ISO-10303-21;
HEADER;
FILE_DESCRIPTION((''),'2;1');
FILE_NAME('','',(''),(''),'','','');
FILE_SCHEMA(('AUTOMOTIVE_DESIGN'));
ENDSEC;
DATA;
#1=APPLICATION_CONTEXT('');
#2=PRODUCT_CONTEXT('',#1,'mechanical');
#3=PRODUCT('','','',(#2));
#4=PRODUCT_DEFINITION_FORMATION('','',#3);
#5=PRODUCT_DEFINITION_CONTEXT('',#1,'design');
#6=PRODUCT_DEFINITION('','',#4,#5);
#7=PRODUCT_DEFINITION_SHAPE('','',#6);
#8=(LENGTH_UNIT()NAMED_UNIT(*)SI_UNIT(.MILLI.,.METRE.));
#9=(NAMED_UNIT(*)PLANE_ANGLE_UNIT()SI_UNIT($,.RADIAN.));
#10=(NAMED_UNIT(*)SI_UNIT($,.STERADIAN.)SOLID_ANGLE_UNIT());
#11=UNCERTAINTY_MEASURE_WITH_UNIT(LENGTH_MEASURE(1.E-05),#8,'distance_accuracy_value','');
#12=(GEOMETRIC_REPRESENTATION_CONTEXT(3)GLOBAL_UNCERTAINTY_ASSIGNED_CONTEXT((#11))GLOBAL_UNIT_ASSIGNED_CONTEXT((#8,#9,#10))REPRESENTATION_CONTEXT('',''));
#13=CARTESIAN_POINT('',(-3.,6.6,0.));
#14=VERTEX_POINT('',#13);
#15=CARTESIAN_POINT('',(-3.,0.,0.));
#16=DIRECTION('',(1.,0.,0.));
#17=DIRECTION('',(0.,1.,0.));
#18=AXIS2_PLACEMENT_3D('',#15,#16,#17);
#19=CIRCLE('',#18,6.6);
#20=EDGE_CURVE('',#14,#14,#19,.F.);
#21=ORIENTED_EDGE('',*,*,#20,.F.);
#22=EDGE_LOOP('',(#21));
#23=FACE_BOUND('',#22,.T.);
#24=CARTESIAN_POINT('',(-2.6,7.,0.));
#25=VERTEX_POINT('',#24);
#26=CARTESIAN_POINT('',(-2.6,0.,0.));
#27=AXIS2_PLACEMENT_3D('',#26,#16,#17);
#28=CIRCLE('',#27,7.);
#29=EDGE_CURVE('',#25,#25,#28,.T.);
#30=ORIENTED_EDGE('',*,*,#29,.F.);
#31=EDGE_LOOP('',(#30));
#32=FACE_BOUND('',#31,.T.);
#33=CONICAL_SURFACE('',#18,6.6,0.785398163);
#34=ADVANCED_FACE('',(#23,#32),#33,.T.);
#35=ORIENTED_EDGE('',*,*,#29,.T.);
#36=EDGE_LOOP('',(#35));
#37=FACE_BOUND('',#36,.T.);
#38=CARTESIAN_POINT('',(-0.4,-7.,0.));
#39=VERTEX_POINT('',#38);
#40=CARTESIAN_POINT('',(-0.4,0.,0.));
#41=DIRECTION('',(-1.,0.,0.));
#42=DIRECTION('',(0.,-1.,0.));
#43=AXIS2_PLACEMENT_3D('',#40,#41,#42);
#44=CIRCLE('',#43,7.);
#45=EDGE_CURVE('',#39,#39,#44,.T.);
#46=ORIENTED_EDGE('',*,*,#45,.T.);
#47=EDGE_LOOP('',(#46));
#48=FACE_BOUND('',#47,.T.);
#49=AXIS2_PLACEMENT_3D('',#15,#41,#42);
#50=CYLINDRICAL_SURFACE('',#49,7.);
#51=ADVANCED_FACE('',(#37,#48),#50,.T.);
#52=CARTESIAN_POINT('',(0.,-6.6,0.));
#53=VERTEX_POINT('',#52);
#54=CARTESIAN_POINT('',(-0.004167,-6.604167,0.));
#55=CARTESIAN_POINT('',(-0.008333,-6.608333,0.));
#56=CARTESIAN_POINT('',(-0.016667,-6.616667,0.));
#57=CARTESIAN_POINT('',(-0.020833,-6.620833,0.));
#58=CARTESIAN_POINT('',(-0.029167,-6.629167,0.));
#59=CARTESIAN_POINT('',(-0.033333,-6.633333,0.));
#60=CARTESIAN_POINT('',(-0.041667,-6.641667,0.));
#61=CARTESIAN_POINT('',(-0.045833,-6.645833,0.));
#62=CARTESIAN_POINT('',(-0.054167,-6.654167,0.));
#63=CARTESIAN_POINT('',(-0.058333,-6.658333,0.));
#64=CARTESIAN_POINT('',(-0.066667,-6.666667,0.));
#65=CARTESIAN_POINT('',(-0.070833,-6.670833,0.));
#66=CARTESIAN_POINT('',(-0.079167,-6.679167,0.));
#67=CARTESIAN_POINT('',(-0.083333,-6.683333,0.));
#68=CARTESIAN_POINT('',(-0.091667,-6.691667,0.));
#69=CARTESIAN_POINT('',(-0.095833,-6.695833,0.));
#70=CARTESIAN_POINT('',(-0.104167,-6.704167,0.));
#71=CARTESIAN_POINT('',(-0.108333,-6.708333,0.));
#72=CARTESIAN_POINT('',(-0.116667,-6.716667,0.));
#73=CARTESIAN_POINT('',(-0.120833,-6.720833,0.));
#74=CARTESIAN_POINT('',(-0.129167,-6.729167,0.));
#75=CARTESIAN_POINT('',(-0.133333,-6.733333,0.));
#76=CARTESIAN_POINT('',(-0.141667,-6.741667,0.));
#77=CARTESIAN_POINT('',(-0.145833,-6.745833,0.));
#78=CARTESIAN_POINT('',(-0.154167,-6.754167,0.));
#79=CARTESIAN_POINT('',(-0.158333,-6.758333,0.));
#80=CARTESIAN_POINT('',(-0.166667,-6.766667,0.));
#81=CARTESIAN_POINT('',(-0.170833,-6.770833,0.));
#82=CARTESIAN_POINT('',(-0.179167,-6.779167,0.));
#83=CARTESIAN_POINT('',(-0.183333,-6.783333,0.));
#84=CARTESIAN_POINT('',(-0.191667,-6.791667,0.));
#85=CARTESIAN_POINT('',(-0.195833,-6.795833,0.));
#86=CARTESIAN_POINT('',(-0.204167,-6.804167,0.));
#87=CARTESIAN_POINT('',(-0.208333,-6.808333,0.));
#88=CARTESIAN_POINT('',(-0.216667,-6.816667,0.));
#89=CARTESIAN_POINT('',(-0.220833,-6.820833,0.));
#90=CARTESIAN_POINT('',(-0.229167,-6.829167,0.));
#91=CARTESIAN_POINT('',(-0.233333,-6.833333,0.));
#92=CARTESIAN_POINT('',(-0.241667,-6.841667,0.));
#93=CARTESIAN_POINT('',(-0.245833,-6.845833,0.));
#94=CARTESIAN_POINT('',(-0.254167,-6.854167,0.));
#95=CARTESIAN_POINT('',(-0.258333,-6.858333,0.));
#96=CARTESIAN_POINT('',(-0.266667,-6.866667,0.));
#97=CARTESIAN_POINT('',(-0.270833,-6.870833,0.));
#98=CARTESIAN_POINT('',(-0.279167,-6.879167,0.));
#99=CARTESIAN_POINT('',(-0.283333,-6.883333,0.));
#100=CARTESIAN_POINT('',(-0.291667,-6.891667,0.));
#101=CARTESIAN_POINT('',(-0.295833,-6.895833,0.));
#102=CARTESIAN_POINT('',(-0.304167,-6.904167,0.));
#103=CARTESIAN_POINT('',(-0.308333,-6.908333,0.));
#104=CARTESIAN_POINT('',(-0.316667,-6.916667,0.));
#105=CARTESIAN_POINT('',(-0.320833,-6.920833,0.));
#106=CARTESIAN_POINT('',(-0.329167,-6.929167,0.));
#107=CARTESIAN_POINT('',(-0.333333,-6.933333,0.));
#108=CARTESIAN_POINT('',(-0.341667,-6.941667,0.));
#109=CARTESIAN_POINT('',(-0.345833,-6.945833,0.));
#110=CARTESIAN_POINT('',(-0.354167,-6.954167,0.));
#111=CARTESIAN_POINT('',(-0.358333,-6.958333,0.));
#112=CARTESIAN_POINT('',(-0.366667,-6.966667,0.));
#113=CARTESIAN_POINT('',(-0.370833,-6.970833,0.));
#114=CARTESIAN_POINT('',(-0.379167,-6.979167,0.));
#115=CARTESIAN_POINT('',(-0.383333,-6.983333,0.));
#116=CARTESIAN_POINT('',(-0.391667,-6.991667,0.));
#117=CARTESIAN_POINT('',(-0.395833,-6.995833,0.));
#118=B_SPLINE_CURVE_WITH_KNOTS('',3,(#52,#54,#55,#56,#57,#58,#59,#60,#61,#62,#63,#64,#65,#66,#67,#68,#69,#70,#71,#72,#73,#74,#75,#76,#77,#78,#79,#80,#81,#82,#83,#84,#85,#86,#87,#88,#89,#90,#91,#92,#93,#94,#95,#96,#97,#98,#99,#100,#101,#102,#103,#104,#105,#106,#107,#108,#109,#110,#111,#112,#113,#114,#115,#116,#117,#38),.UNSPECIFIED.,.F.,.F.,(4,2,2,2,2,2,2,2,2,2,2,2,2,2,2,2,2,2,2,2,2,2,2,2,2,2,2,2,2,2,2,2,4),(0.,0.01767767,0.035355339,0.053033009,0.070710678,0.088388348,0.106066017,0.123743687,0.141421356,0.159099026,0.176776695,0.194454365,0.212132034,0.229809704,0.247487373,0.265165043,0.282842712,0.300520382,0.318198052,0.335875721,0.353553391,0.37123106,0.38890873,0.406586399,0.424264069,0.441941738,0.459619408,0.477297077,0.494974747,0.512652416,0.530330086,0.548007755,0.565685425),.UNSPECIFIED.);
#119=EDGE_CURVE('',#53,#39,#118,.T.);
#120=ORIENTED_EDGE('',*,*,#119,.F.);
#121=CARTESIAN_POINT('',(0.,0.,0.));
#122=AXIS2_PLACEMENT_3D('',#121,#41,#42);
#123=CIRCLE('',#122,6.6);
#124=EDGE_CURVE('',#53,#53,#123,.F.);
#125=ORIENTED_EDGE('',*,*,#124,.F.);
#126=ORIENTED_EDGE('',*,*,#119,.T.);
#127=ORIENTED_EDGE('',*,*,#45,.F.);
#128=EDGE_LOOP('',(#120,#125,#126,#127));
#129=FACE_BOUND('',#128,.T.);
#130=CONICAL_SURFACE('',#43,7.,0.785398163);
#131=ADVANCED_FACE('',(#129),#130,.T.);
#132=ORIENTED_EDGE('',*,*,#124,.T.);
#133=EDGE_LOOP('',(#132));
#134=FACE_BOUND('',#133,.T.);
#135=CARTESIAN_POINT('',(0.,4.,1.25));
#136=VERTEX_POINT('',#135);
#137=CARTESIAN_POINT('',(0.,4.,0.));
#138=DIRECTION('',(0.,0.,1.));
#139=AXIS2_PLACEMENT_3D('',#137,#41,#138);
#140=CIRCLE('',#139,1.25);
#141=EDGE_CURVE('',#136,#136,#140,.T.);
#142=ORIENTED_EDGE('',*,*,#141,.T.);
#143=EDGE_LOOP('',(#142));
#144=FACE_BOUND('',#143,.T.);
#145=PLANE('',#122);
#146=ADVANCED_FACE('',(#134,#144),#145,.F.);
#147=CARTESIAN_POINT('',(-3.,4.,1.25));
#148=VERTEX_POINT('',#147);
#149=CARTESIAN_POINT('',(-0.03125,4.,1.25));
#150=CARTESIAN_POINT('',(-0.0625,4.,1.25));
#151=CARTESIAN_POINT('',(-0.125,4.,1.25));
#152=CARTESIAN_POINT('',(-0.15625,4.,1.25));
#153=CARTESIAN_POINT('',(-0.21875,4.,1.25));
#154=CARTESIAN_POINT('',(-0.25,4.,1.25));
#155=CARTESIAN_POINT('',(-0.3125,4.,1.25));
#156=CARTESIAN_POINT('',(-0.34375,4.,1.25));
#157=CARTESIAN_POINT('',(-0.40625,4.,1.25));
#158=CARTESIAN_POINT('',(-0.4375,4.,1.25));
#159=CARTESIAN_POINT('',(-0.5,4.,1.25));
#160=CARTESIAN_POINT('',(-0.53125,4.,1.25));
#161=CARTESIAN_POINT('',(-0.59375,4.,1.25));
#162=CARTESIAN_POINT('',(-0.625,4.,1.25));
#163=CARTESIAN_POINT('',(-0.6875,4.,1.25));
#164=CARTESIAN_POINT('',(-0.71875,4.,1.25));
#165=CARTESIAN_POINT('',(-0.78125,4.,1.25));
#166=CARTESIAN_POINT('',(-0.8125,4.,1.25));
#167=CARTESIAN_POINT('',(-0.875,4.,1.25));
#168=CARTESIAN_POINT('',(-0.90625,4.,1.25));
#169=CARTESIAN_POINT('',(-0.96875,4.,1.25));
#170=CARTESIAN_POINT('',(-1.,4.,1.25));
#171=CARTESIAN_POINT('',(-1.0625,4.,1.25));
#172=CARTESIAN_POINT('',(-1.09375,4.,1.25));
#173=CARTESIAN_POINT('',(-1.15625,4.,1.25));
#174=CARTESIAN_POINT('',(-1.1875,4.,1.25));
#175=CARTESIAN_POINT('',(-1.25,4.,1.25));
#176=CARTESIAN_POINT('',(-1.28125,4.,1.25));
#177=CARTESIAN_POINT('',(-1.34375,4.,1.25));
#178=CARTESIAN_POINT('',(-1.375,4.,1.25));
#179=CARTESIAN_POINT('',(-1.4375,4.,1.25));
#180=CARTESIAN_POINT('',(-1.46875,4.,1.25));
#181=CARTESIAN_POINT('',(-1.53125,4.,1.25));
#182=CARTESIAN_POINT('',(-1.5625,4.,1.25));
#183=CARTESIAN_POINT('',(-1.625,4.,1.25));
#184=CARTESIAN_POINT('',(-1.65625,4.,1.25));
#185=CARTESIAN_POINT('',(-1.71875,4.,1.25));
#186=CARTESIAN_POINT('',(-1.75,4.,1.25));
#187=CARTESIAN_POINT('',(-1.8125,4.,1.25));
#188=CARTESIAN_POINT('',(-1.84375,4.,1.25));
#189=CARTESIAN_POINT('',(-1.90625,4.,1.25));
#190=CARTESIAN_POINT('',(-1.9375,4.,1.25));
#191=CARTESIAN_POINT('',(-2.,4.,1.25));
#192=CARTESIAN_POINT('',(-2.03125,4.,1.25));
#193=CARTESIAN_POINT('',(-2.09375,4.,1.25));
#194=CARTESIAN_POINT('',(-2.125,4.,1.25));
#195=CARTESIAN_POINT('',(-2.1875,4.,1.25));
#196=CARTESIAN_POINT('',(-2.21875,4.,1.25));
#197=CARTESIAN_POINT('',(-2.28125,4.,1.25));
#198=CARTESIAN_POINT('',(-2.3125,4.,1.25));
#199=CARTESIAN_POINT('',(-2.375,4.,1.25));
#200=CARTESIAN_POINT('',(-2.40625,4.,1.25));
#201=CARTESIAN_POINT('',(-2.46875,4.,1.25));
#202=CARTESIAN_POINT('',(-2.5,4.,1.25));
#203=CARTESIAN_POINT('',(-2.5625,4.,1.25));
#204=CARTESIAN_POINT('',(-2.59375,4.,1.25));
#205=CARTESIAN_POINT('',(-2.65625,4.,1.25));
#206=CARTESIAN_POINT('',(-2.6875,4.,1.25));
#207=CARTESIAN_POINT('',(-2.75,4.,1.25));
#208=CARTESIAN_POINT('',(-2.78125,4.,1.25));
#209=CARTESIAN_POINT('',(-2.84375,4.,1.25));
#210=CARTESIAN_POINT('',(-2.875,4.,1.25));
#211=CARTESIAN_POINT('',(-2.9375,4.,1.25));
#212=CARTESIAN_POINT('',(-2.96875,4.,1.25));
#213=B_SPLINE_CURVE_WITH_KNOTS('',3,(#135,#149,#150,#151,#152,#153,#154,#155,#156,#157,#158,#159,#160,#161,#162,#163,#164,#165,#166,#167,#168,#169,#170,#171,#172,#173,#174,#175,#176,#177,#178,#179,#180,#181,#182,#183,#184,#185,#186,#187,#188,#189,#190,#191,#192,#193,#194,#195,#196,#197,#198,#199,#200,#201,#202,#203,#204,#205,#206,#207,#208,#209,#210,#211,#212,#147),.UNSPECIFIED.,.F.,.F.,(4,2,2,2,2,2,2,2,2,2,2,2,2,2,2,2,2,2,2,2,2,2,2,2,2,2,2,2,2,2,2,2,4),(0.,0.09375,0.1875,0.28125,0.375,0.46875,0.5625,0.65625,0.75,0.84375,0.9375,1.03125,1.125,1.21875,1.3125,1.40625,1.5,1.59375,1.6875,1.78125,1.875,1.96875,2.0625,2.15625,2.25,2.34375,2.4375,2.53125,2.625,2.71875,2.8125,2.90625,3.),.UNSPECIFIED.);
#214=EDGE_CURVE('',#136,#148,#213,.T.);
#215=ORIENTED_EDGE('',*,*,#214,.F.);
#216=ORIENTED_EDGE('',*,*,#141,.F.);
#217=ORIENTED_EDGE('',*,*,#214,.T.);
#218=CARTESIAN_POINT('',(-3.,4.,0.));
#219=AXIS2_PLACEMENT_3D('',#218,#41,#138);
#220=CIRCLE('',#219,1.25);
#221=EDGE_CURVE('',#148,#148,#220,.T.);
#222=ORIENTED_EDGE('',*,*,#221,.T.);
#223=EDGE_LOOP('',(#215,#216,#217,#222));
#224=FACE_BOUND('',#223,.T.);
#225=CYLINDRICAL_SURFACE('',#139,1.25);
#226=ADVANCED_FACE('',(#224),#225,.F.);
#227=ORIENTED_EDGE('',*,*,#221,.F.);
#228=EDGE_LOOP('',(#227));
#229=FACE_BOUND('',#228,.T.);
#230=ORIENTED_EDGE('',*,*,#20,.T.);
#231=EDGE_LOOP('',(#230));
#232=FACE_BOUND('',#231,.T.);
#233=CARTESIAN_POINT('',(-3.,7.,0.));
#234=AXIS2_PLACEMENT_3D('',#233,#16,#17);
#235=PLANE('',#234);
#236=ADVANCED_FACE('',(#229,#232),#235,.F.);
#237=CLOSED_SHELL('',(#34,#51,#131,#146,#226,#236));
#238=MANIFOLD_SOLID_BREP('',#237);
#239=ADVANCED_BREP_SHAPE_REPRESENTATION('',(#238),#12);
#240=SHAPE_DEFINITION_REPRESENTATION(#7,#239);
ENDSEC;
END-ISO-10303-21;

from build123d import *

# Parameters (mm, degrees)
SKETCH_2_W          = 3
SKETCH_2_H          = 7
SKETCH_3_R          = 1.25
CUT_EXTRUDE_1_DEPTH = 11.344080433
CHAMFER_1_SIZE      = 0.4


with BuildPart() as part:
    # Эскиз2 → Повернуть1 (revolve)
    with BuildSketch(Plane.XY, mode=Mode.PRIVATE) as revolve_1_sk:
        with Locations((-1.5, 3.5)):
            Rectangle(SKETCH_2_W, SKETCH_2_H)
    revolve(revolve_1_sk.sketch.rotate(Axis((-3, 0, 0), (1, 0, 0)), 180), axis=Axis((-3, 0, 0), (1, 0, 0)))

    # Эскиз3 → Вырез-Вытянуть1 (cut, through all)
    with BuildSketch(Plane.ZY.offset(3)):
        with Locations((0, 4)):
            Circle(SKETCH_3_R)
    extrude(amount=-CUT_EXTRUDE_1_DEPTH, mode=Mode.SUBTRACT)

    # Фаска1
    chamfer_1_edges = [part.edges().sort_by_distance(p)[0] for p in [
        (-3, 7, 0),
        (0, 7, 0),
    ]]
    chamfer(chamfer_1_edges, length=CHAMFER_1_SIZE)


solid = part.part
